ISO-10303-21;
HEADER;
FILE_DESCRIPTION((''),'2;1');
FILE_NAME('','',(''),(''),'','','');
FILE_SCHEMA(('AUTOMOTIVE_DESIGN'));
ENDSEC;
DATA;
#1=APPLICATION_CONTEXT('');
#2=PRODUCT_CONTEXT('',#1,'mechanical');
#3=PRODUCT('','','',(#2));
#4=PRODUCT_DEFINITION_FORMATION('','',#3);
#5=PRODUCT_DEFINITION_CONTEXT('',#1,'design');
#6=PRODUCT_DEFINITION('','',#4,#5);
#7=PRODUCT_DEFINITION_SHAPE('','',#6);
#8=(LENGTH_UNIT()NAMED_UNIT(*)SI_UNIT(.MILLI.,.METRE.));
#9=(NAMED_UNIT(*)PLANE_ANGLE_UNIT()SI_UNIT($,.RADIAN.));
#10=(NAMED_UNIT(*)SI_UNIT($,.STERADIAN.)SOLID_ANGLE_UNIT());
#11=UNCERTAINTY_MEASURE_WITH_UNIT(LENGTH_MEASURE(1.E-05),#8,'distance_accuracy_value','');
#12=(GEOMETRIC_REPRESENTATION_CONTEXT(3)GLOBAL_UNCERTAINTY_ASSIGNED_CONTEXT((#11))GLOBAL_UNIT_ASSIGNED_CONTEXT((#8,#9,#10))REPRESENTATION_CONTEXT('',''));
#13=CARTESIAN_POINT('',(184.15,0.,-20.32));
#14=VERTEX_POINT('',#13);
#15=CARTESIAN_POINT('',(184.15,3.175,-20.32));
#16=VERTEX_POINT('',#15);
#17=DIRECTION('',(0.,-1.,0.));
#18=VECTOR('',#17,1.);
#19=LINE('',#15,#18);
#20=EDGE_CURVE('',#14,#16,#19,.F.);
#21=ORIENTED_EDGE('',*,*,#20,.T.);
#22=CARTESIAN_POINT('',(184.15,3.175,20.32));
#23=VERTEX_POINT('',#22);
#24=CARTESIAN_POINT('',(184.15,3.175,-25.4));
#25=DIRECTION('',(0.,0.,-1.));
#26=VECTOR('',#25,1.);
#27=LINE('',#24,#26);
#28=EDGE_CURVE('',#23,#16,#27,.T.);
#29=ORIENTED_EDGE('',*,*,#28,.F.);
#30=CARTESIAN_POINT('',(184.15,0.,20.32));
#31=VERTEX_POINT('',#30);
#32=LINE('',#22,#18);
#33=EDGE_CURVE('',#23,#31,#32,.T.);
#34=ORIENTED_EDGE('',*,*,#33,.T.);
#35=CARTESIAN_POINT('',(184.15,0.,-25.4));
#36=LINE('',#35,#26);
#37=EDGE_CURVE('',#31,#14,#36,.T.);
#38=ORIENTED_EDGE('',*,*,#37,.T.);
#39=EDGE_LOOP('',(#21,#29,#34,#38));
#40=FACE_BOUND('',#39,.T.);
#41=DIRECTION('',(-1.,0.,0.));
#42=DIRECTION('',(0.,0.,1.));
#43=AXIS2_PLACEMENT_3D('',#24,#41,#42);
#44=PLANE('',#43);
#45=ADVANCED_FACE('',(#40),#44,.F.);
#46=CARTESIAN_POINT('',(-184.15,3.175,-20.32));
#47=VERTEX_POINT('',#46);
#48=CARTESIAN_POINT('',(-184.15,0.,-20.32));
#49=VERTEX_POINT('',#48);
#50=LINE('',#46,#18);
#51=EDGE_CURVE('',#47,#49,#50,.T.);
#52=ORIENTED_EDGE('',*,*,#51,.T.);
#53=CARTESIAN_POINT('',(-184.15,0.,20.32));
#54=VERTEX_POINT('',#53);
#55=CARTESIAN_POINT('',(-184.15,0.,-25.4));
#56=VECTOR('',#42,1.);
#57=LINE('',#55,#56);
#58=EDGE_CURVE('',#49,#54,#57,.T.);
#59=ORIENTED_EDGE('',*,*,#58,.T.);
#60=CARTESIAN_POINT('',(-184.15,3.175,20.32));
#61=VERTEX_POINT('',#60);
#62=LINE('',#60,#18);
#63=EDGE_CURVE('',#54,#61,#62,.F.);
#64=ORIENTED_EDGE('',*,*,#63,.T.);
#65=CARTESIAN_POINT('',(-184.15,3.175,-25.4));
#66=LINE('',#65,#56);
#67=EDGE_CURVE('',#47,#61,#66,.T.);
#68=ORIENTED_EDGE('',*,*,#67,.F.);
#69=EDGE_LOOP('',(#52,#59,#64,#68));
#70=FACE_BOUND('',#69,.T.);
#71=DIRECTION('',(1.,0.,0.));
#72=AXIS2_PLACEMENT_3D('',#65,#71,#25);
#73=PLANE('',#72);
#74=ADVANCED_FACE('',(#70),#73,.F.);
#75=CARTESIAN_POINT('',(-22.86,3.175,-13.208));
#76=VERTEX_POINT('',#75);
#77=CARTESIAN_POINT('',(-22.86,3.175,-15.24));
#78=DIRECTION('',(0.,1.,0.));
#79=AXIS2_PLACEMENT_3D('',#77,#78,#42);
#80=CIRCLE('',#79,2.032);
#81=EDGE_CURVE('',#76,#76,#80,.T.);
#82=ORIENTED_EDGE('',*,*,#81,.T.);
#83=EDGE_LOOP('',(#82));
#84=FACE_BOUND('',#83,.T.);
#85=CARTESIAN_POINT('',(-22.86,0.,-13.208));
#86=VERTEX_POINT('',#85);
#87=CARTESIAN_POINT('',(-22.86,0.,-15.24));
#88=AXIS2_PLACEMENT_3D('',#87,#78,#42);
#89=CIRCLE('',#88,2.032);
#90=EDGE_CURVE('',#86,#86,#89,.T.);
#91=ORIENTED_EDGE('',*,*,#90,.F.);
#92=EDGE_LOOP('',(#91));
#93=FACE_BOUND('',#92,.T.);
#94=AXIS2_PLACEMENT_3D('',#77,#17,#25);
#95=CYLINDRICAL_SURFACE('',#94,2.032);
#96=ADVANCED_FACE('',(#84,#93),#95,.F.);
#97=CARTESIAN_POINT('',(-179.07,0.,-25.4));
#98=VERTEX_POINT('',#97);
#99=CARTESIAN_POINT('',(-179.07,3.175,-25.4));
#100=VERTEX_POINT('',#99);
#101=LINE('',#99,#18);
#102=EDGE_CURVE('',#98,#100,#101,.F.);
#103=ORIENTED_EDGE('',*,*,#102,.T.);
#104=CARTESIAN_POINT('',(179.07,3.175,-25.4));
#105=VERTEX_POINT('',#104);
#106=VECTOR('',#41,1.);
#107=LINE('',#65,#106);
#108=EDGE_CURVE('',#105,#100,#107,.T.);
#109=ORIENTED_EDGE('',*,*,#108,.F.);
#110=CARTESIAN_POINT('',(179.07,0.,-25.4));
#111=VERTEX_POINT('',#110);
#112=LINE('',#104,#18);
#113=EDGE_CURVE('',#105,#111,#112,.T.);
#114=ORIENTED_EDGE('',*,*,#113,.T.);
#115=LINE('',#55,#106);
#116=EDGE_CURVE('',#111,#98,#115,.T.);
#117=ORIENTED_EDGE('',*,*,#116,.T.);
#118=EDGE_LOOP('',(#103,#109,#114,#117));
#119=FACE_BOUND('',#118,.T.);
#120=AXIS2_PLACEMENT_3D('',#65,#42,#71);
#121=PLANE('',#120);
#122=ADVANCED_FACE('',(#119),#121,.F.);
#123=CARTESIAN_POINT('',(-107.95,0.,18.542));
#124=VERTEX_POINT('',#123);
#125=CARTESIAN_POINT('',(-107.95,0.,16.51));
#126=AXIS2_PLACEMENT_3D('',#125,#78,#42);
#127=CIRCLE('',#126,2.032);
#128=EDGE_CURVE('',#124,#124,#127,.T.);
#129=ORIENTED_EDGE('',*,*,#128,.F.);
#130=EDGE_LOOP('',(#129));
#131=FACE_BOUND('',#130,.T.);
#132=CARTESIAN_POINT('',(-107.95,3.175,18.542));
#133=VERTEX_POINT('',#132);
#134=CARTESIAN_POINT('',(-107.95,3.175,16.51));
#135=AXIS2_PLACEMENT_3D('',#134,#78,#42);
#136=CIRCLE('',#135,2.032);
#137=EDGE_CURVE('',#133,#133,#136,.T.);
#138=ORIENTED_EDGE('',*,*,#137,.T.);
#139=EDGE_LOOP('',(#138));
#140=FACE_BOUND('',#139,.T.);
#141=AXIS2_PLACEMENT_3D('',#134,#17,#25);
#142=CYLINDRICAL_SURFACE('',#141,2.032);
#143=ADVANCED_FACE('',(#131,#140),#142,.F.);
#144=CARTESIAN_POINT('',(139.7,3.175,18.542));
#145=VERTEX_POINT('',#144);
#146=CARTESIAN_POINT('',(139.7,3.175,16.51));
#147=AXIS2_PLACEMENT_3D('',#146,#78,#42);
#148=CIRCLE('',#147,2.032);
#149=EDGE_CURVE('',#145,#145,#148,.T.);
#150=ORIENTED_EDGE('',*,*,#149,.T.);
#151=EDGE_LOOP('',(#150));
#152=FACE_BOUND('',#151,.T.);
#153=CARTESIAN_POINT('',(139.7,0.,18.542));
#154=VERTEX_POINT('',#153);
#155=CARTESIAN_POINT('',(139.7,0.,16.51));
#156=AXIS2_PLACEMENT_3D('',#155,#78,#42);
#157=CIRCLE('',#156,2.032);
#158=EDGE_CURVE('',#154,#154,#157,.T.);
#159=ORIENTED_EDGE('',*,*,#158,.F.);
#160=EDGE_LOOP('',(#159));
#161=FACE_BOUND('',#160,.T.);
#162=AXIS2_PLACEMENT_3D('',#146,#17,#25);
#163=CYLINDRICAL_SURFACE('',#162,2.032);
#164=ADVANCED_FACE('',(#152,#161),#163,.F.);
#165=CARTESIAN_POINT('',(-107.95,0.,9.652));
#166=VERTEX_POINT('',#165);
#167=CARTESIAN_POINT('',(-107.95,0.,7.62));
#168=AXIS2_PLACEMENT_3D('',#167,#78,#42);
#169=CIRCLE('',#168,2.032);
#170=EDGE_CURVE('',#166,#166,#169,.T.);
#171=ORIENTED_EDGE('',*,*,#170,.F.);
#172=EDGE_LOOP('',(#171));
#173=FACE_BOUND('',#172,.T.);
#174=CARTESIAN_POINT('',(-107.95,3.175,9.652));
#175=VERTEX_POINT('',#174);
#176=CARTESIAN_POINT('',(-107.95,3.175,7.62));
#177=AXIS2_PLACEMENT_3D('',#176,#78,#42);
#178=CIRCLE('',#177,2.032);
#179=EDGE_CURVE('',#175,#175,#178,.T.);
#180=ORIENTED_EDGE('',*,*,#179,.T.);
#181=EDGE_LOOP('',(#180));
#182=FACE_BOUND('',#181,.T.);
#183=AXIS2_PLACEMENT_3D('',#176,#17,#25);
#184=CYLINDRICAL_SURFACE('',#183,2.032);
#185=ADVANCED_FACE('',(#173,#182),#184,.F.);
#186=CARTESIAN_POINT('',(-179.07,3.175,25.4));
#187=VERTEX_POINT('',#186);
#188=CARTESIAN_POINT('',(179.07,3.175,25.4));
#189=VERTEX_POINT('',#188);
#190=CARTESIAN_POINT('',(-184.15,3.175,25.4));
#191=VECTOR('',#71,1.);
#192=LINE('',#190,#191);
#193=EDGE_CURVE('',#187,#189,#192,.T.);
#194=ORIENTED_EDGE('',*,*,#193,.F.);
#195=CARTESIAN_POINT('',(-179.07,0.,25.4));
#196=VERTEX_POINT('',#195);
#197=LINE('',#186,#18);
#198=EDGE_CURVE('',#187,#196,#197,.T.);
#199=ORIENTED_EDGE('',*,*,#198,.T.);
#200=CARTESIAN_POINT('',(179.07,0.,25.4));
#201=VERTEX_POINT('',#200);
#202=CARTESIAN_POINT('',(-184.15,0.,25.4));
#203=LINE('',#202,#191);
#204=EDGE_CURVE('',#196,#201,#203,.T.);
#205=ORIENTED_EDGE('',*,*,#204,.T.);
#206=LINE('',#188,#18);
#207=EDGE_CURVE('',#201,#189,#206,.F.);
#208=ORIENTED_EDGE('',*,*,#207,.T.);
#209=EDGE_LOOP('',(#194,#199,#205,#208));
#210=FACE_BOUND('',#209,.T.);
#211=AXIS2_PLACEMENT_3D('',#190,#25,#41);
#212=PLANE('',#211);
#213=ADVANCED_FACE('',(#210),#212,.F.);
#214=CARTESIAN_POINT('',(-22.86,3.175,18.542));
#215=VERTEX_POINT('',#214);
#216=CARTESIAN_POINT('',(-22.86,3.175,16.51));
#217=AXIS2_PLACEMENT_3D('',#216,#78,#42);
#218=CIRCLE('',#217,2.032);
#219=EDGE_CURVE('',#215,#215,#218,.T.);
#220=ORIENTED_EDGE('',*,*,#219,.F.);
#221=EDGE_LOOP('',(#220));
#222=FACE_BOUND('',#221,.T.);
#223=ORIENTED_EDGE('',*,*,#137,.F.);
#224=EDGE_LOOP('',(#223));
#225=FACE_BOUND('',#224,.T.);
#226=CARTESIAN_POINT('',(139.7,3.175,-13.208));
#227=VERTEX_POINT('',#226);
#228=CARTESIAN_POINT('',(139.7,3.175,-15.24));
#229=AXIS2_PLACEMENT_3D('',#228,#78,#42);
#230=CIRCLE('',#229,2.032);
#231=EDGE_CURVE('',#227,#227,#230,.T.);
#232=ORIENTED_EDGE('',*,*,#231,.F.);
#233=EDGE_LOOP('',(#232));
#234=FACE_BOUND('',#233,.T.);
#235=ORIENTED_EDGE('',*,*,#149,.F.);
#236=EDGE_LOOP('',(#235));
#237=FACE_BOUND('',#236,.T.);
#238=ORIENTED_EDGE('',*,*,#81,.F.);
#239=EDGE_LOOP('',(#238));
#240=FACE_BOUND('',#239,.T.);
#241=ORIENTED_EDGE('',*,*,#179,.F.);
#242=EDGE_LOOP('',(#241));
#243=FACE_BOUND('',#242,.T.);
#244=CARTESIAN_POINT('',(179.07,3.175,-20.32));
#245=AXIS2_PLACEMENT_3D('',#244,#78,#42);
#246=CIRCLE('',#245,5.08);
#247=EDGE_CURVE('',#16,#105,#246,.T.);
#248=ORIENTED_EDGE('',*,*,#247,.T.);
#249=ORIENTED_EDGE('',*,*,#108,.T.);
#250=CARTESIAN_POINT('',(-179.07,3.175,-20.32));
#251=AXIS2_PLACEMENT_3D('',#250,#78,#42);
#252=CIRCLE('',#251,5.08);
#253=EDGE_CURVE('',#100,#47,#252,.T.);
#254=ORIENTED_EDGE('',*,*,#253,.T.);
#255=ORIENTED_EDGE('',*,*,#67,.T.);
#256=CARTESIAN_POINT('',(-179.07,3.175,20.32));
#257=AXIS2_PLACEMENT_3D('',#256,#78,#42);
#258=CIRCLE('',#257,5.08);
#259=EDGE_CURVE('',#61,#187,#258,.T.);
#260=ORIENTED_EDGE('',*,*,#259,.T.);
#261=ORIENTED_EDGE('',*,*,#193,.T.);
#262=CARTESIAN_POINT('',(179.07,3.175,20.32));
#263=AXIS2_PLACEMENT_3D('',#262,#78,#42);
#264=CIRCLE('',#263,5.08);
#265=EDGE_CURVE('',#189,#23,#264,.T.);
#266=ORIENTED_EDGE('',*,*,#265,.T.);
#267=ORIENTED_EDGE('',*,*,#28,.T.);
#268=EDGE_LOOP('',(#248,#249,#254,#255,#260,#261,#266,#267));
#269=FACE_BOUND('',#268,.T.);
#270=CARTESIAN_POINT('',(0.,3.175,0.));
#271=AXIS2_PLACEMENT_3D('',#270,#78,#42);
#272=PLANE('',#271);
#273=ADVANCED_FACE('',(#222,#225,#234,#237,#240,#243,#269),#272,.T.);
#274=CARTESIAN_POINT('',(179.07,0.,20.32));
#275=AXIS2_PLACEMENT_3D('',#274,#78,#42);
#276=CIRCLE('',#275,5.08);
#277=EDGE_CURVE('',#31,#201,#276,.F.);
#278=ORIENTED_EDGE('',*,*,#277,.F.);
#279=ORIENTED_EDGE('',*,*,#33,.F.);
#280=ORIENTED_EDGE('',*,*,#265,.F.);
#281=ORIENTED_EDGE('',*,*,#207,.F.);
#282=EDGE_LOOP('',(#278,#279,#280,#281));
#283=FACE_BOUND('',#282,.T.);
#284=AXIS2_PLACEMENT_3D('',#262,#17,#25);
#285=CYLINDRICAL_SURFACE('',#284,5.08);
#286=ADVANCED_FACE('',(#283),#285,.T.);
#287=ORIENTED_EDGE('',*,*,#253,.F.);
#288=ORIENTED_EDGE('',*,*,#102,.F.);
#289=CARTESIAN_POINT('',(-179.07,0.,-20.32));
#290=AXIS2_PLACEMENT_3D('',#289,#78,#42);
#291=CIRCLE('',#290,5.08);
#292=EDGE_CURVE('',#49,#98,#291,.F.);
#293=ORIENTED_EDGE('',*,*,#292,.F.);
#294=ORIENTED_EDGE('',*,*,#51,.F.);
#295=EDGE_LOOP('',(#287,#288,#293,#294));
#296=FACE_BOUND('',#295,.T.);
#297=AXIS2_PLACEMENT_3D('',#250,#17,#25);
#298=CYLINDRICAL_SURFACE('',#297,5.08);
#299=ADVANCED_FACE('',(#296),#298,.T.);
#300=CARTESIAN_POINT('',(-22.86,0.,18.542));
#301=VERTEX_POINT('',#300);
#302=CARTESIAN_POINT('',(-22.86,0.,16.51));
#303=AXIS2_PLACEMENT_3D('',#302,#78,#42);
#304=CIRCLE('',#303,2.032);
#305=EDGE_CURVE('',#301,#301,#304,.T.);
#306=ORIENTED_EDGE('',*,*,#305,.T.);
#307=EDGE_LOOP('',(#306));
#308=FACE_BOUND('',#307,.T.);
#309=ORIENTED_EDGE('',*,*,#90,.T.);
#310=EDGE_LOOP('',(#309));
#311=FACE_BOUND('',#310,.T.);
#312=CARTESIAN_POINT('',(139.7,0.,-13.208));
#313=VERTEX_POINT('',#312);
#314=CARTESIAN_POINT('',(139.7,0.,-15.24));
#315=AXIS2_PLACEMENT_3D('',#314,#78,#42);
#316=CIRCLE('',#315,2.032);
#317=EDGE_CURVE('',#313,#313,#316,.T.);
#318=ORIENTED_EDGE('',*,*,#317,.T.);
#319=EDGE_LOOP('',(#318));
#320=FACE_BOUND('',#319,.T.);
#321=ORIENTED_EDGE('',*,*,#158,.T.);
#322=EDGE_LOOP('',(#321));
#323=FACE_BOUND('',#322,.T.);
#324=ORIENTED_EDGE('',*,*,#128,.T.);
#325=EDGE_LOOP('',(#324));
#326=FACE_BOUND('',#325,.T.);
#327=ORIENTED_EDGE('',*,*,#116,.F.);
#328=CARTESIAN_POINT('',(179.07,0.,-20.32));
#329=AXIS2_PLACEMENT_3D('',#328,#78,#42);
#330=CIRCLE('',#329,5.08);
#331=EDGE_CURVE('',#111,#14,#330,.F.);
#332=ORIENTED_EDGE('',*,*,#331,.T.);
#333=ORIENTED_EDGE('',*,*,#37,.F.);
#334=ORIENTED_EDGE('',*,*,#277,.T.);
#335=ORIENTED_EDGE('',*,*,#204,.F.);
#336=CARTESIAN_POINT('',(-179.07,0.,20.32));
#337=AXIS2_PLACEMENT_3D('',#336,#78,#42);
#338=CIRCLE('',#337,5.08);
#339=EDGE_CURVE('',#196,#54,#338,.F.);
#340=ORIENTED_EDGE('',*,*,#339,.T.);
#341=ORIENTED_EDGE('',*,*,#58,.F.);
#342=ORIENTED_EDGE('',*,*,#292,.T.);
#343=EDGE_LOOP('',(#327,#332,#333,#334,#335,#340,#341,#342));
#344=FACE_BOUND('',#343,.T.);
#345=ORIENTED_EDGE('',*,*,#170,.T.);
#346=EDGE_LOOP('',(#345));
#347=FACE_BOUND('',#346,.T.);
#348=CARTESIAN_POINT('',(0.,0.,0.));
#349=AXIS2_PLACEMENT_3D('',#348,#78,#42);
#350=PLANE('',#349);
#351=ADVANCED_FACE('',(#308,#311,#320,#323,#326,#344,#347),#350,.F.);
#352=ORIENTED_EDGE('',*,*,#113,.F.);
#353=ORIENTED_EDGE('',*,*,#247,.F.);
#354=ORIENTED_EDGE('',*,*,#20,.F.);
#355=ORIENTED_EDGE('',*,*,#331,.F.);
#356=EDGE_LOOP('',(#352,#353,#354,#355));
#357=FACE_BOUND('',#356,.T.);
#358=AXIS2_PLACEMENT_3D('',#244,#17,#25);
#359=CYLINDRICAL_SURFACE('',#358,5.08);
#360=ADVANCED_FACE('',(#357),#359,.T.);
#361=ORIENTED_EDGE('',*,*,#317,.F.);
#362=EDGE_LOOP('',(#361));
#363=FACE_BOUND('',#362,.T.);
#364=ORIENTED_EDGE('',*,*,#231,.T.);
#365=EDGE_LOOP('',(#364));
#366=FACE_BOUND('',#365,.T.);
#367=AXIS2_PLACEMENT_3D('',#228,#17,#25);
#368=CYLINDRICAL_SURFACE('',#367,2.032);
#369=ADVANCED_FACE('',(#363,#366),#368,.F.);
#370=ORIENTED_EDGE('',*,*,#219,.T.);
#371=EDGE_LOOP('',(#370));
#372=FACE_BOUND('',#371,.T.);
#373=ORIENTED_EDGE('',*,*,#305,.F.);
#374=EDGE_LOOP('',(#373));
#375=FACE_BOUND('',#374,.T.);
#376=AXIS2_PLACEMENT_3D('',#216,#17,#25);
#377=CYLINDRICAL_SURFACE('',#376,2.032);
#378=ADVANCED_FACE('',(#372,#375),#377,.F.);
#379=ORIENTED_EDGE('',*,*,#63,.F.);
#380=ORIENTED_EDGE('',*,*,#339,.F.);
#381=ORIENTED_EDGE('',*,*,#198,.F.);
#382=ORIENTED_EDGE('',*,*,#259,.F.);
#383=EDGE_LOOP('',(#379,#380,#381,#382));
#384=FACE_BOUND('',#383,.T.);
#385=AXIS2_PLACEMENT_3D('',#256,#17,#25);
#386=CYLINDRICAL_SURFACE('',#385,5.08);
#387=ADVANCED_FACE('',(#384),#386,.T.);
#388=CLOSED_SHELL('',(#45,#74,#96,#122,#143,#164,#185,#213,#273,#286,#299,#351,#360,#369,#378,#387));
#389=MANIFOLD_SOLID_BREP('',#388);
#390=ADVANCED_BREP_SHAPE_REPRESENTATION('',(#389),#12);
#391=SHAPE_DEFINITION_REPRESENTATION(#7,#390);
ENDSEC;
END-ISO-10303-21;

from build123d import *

# Parameters (mm, degrees)
SKETCH1_W           = 368.3
SKETCH1_H           = 50.8
SKETCH1_R           = 2.032
BOSS_EXTRUDE1_DEPTH = 3.175
FILLET1_R           = 5.08


with BuildPart() as part:
    # Sketch1 → Boss-Extrude1 (new body)
    with BuildSketch(Plane(origin=(0, 0, 0), x_dir=(1, 0, 0), z_dir=(0, 1, 0))):
        Rectangle(SKETCH1_W, SKETCH1_H)
        with Locations(Location((139.7, 15.24, 0), (0, 0, 270))):
            Circle(SKETCH1_R, mode=Mode.SUBTRACT)
        with Locations(Location((139.7, -16.51, 0), (0, 0, 270))):
            Circle(SKETCH1_R, mode=Mode.SUBTRACT)
        with Locations(Location((-22.86, 15.24, 0), (0, 0, 270))):
            Circle(SKETCH1_R, mode=Mode.SUBTRACT)
        with Locations(Location((-22.86, -16.51, 0), (0, 0, 270))):
            Circle(SKETCH1_R, mode=Mode.SUBTRACT)
        with Locations(Location((-107.95, -16.51, 0), (0, 0, 270))):
            Circle(SKETCH1_R, mode=Mode.SUBTRACT)
        with Locations(Location((-107.95, -7.62, 0), (0, 0, 270))):
            Circle(SKETCH1_R, mode=Mode.SUBTRACT)
    extrude(amount=BOSS_EXTRUDE1_DEPTH)

    # Fillet1
    fillet1_edges = [part.edges().sort_by_distance(p)[0] for p in [
        (184.15, 1.5875, 25.4),
        (-184.15, 1.5875, 25.4),
        (-184.15, 1.5875, -25.4),
        (184.15, 1.5875, -25.4),
    ]]
    fillet(fillet1_edges, radius=FILLET1_R)


solid = part.part
